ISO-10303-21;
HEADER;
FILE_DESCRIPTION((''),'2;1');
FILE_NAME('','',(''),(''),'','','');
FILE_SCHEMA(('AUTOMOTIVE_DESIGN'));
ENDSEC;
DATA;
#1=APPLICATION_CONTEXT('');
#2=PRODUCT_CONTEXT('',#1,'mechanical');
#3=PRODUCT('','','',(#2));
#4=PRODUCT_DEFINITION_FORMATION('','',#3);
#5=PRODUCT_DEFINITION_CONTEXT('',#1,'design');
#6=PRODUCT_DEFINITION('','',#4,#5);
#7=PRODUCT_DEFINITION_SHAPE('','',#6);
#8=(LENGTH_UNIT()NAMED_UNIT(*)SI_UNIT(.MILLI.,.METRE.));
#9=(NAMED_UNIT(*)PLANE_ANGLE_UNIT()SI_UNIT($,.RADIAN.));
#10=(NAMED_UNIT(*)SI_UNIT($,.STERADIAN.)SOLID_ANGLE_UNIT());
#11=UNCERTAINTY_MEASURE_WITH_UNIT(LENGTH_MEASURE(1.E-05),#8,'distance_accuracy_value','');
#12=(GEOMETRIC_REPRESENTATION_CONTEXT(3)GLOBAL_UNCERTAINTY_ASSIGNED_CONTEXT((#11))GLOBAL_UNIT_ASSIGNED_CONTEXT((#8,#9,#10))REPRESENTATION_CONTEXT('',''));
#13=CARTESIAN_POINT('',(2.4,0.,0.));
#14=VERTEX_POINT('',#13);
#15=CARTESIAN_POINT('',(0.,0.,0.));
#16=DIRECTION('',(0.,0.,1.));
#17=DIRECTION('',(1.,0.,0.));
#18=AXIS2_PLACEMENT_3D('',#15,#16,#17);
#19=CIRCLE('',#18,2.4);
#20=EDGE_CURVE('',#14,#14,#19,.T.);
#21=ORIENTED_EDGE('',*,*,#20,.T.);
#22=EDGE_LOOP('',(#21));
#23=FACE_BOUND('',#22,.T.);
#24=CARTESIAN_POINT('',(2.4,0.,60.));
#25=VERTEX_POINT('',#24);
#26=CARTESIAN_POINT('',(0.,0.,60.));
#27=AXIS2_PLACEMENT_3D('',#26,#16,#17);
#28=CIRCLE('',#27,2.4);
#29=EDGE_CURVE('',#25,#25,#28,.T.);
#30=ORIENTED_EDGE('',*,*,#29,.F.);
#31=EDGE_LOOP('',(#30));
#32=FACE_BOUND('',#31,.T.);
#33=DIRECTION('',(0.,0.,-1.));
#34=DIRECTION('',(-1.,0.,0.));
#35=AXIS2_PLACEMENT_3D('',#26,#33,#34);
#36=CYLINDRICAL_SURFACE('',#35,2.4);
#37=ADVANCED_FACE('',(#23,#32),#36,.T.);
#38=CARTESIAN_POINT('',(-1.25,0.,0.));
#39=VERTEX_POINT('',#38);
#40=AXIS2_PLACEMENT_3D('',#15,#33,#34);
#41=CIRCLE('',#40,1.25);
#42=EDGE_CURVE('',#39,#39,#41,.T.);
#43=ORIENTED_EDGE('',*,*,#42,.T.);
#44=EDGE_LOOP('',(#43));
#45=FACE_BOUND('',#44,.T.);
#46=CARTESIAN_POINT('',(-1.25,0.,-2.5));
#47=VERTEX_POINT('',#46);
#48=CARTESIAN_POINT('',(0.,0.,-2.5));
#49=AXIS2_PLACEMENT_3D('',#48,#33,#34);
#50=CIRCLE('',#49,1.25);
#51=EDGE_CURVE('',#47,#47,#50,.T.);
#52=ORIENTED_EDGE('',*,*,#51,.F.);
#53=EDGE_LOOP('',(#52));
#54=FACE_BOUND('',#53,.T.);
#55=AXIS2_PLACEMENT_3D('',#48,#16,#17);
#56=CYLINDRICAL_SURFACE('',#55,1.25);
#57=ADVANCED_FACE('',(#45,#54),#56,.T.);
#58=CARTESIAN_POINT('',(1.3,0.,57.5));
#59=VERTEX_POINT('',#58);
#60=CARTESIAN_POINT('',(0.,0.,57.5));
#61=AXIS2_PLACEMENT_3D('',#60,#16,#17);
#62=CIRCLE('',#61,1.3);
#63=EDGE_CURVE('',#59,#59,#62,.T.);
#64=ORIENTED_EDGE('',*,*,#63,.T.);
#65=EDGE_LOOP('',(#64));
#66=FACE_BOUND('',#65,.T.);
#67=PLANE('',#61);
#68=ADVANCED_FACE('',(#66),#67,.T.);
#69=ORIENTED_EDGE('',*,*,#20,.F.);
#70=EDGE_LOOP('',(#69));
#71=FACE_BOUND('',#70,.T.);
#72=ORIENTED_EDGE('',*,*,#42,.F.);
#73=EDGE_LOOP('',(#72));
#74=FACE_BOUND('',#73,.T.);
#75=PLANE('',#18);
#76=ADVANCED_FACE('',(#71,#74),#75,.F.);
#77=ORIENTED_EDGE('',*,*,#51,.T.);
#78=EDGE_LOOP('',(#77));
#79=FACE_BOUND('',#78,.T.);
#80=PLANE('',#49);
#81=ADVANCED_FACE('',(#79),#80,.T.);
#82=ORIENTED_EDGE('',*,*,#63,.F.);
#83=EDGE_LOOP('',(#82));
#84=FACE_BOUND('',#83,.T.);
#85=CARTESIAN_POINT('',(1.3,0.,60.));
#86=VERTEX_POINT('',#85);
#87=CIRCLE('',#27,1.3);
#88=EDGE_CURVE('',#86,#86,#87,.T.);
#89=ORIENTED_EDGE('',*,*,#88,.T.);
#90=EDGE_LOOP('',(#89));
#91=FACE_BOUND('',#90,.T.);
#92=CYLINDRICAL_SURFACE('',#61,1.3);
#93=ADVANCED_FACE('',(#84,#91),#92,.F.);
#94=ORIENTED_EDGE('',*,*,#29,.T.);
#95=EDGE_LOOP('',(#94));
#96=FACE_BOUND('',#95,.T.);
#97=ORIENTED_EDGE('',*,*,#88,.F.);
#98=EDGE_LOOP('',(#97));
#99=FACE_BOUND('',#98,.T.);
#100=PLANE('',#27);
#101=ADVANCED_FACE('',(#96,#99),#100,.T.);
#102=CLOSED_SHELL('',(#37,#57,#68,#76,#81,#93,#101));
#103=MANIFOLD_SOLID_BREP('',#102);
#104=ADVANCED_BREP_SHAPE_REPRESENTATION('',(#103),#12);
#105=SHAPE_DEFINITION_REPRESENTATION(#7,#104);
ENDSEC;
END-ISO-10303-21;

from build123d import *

# Parameters (mm, degrees)
SKETCH1_R           = 2.4
BOSS_EXTRUDE1_DEPTH = 60
SKETCH6_R           = 1.25
BOSS_EXTRUDE2_DEPTH = 2.5
SKETCH7_R           = 1.3
CUT_EXTRUDE1_DEPTH  = 2.5


with BuildPart() as part:
    # Sketch1 → Boss-Extrude1 (new body)
    with BuildSketch(Plane.XY):
        Circle(SKETCH1_R)
    extrude(amount=BOSS_EXTRUDE1_DEPTH)

    # Sketch6 → Boss-Extrude2 (add)
    with BuildSketch(Plane(origin=(0, 0, 0), x_dir=(-1, 0, 0), z_dir=(0, 0, -1))):
        Circle(SKETCH6_R)
    extrude(amount=BOSS_EXTRUDE2_DEPTH)

    # Sketch7 → Cut-Extrude1 (cut)
    with BuildSketch(Plane.XY.offset(60)):
        Circle(SKETCH7_R)
    extrude(amount=-CUT_EXTRUDE1_DEPTH, mode=Mode.SUBTRACT)


solid = part.part
